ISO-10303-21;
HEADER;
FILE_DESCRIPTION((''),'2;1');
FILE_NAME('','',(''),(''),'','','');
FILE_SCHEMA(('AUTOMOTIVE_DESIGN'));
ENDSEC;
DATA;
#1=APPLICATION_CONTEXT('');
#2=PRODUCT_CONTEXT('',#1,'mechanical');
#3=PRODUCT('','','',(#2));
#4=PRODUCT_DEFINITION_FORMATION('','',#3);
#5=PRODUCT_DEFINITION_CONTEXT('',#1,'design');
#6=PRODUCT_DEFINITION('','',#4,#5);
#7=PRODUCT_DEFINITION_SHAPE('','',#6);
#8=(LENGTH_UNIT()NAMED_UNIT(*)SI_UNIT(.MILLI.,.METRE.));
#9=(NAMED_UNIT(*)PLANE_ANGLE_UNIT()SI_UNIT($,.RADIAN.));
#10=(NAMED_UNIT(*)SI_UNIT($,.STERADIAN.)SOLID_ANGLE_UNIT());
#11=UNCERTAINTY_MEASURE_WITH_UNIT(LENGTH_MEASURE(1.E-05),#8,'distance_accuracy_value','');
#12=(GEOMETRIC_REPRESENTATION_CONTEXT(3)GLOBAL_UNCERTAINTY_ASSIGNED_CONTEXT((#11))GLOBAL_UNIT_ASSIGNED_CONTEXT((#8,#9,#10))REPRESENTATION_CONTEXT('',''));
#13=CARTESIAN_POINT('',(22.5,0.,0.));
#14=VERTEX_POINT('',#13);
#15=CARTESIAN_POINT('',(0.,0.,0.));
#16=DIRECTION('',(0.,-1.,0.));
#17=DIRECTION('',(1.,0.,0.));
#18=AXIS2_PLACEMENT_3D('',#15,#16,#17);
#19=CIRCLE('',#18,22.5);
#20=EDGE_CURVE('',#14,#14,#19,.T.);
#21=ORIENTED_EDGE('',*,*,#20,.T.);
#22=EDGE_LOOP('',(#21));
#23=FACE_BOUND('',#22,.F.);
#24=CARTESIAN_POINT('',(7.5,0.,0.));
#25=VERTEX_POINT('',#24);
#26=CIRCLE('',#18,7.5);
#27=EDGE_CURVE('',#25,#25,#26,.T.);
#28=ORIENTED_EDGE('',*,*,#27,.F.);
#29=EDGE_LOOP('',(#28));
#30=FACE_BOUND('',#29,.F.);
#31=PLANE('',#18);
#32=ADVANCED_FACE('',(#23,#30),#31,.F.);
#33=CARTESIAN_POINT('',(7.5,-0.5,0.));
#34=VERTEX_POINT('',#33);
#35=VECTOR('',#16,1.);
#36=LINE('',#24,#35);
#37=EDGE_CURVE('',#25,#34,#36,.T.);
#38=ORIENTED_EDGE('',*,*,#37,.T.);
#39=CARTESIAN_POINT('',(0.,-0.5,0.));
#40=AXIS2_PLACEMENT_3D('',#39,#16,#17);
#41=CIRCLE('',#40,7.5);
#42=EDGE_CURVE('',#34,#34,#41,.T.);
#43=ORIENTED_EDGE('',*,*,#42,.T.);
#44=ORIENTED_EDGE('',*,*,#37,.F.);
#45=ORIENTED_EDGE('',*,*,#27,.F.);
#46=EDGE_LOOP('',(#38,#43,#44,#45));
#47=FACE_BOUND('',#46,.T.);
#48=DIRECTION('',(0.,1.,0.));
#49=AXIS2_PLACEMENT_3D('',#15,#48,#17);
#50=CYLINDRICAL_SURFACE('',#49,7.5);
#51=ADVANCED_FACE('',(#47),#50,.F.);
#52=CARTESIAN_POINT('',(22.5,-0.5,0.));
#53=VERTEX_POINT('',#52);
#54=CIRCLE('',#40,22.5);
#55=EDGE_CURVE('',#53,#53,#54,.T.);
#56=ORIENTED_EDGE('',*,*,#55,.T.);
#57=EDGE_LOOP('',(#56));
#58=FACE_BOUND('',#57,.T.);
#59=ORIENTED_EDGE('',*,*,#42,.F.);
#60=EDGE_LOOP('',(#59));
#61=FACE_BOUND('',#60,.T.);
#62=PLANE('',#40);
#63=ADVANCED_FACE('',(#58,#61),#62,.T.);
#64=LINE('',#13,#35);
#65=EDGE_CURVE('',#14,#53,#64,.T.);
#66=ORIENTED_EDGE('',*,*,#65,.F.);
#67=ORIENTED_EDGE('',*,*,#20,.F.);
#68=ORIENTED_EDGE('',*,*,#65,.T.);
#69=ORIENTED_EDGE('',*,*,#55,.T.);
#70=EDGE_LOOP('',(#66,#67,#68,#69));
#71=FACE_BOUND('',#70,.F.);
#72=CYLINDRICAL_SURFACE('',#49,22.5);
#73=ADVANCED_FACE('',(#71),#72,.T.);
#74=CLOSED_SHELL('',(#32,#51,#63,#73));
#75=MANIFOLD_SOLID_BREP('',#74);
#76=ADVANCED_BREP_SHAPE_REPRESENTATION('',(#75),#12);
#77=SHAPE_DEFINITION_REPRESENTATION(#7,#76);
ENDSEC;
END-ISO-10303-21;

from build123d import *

# Parameters (mm, degrees)
F1_R     = 22.5
F1_R_2   = 7.5
F2_DEPTH = 0.5


with BuildPart() as f2:
    # F1 (on face) → F2 (new body)
    with BuildSketch(Plane.XZ):
        Circle(F1_R)
        Circle(F1_R_2, mode=Mode.SUBTRACT)
    extrude(amount=F2_DEPTH)


solid = f2.part
